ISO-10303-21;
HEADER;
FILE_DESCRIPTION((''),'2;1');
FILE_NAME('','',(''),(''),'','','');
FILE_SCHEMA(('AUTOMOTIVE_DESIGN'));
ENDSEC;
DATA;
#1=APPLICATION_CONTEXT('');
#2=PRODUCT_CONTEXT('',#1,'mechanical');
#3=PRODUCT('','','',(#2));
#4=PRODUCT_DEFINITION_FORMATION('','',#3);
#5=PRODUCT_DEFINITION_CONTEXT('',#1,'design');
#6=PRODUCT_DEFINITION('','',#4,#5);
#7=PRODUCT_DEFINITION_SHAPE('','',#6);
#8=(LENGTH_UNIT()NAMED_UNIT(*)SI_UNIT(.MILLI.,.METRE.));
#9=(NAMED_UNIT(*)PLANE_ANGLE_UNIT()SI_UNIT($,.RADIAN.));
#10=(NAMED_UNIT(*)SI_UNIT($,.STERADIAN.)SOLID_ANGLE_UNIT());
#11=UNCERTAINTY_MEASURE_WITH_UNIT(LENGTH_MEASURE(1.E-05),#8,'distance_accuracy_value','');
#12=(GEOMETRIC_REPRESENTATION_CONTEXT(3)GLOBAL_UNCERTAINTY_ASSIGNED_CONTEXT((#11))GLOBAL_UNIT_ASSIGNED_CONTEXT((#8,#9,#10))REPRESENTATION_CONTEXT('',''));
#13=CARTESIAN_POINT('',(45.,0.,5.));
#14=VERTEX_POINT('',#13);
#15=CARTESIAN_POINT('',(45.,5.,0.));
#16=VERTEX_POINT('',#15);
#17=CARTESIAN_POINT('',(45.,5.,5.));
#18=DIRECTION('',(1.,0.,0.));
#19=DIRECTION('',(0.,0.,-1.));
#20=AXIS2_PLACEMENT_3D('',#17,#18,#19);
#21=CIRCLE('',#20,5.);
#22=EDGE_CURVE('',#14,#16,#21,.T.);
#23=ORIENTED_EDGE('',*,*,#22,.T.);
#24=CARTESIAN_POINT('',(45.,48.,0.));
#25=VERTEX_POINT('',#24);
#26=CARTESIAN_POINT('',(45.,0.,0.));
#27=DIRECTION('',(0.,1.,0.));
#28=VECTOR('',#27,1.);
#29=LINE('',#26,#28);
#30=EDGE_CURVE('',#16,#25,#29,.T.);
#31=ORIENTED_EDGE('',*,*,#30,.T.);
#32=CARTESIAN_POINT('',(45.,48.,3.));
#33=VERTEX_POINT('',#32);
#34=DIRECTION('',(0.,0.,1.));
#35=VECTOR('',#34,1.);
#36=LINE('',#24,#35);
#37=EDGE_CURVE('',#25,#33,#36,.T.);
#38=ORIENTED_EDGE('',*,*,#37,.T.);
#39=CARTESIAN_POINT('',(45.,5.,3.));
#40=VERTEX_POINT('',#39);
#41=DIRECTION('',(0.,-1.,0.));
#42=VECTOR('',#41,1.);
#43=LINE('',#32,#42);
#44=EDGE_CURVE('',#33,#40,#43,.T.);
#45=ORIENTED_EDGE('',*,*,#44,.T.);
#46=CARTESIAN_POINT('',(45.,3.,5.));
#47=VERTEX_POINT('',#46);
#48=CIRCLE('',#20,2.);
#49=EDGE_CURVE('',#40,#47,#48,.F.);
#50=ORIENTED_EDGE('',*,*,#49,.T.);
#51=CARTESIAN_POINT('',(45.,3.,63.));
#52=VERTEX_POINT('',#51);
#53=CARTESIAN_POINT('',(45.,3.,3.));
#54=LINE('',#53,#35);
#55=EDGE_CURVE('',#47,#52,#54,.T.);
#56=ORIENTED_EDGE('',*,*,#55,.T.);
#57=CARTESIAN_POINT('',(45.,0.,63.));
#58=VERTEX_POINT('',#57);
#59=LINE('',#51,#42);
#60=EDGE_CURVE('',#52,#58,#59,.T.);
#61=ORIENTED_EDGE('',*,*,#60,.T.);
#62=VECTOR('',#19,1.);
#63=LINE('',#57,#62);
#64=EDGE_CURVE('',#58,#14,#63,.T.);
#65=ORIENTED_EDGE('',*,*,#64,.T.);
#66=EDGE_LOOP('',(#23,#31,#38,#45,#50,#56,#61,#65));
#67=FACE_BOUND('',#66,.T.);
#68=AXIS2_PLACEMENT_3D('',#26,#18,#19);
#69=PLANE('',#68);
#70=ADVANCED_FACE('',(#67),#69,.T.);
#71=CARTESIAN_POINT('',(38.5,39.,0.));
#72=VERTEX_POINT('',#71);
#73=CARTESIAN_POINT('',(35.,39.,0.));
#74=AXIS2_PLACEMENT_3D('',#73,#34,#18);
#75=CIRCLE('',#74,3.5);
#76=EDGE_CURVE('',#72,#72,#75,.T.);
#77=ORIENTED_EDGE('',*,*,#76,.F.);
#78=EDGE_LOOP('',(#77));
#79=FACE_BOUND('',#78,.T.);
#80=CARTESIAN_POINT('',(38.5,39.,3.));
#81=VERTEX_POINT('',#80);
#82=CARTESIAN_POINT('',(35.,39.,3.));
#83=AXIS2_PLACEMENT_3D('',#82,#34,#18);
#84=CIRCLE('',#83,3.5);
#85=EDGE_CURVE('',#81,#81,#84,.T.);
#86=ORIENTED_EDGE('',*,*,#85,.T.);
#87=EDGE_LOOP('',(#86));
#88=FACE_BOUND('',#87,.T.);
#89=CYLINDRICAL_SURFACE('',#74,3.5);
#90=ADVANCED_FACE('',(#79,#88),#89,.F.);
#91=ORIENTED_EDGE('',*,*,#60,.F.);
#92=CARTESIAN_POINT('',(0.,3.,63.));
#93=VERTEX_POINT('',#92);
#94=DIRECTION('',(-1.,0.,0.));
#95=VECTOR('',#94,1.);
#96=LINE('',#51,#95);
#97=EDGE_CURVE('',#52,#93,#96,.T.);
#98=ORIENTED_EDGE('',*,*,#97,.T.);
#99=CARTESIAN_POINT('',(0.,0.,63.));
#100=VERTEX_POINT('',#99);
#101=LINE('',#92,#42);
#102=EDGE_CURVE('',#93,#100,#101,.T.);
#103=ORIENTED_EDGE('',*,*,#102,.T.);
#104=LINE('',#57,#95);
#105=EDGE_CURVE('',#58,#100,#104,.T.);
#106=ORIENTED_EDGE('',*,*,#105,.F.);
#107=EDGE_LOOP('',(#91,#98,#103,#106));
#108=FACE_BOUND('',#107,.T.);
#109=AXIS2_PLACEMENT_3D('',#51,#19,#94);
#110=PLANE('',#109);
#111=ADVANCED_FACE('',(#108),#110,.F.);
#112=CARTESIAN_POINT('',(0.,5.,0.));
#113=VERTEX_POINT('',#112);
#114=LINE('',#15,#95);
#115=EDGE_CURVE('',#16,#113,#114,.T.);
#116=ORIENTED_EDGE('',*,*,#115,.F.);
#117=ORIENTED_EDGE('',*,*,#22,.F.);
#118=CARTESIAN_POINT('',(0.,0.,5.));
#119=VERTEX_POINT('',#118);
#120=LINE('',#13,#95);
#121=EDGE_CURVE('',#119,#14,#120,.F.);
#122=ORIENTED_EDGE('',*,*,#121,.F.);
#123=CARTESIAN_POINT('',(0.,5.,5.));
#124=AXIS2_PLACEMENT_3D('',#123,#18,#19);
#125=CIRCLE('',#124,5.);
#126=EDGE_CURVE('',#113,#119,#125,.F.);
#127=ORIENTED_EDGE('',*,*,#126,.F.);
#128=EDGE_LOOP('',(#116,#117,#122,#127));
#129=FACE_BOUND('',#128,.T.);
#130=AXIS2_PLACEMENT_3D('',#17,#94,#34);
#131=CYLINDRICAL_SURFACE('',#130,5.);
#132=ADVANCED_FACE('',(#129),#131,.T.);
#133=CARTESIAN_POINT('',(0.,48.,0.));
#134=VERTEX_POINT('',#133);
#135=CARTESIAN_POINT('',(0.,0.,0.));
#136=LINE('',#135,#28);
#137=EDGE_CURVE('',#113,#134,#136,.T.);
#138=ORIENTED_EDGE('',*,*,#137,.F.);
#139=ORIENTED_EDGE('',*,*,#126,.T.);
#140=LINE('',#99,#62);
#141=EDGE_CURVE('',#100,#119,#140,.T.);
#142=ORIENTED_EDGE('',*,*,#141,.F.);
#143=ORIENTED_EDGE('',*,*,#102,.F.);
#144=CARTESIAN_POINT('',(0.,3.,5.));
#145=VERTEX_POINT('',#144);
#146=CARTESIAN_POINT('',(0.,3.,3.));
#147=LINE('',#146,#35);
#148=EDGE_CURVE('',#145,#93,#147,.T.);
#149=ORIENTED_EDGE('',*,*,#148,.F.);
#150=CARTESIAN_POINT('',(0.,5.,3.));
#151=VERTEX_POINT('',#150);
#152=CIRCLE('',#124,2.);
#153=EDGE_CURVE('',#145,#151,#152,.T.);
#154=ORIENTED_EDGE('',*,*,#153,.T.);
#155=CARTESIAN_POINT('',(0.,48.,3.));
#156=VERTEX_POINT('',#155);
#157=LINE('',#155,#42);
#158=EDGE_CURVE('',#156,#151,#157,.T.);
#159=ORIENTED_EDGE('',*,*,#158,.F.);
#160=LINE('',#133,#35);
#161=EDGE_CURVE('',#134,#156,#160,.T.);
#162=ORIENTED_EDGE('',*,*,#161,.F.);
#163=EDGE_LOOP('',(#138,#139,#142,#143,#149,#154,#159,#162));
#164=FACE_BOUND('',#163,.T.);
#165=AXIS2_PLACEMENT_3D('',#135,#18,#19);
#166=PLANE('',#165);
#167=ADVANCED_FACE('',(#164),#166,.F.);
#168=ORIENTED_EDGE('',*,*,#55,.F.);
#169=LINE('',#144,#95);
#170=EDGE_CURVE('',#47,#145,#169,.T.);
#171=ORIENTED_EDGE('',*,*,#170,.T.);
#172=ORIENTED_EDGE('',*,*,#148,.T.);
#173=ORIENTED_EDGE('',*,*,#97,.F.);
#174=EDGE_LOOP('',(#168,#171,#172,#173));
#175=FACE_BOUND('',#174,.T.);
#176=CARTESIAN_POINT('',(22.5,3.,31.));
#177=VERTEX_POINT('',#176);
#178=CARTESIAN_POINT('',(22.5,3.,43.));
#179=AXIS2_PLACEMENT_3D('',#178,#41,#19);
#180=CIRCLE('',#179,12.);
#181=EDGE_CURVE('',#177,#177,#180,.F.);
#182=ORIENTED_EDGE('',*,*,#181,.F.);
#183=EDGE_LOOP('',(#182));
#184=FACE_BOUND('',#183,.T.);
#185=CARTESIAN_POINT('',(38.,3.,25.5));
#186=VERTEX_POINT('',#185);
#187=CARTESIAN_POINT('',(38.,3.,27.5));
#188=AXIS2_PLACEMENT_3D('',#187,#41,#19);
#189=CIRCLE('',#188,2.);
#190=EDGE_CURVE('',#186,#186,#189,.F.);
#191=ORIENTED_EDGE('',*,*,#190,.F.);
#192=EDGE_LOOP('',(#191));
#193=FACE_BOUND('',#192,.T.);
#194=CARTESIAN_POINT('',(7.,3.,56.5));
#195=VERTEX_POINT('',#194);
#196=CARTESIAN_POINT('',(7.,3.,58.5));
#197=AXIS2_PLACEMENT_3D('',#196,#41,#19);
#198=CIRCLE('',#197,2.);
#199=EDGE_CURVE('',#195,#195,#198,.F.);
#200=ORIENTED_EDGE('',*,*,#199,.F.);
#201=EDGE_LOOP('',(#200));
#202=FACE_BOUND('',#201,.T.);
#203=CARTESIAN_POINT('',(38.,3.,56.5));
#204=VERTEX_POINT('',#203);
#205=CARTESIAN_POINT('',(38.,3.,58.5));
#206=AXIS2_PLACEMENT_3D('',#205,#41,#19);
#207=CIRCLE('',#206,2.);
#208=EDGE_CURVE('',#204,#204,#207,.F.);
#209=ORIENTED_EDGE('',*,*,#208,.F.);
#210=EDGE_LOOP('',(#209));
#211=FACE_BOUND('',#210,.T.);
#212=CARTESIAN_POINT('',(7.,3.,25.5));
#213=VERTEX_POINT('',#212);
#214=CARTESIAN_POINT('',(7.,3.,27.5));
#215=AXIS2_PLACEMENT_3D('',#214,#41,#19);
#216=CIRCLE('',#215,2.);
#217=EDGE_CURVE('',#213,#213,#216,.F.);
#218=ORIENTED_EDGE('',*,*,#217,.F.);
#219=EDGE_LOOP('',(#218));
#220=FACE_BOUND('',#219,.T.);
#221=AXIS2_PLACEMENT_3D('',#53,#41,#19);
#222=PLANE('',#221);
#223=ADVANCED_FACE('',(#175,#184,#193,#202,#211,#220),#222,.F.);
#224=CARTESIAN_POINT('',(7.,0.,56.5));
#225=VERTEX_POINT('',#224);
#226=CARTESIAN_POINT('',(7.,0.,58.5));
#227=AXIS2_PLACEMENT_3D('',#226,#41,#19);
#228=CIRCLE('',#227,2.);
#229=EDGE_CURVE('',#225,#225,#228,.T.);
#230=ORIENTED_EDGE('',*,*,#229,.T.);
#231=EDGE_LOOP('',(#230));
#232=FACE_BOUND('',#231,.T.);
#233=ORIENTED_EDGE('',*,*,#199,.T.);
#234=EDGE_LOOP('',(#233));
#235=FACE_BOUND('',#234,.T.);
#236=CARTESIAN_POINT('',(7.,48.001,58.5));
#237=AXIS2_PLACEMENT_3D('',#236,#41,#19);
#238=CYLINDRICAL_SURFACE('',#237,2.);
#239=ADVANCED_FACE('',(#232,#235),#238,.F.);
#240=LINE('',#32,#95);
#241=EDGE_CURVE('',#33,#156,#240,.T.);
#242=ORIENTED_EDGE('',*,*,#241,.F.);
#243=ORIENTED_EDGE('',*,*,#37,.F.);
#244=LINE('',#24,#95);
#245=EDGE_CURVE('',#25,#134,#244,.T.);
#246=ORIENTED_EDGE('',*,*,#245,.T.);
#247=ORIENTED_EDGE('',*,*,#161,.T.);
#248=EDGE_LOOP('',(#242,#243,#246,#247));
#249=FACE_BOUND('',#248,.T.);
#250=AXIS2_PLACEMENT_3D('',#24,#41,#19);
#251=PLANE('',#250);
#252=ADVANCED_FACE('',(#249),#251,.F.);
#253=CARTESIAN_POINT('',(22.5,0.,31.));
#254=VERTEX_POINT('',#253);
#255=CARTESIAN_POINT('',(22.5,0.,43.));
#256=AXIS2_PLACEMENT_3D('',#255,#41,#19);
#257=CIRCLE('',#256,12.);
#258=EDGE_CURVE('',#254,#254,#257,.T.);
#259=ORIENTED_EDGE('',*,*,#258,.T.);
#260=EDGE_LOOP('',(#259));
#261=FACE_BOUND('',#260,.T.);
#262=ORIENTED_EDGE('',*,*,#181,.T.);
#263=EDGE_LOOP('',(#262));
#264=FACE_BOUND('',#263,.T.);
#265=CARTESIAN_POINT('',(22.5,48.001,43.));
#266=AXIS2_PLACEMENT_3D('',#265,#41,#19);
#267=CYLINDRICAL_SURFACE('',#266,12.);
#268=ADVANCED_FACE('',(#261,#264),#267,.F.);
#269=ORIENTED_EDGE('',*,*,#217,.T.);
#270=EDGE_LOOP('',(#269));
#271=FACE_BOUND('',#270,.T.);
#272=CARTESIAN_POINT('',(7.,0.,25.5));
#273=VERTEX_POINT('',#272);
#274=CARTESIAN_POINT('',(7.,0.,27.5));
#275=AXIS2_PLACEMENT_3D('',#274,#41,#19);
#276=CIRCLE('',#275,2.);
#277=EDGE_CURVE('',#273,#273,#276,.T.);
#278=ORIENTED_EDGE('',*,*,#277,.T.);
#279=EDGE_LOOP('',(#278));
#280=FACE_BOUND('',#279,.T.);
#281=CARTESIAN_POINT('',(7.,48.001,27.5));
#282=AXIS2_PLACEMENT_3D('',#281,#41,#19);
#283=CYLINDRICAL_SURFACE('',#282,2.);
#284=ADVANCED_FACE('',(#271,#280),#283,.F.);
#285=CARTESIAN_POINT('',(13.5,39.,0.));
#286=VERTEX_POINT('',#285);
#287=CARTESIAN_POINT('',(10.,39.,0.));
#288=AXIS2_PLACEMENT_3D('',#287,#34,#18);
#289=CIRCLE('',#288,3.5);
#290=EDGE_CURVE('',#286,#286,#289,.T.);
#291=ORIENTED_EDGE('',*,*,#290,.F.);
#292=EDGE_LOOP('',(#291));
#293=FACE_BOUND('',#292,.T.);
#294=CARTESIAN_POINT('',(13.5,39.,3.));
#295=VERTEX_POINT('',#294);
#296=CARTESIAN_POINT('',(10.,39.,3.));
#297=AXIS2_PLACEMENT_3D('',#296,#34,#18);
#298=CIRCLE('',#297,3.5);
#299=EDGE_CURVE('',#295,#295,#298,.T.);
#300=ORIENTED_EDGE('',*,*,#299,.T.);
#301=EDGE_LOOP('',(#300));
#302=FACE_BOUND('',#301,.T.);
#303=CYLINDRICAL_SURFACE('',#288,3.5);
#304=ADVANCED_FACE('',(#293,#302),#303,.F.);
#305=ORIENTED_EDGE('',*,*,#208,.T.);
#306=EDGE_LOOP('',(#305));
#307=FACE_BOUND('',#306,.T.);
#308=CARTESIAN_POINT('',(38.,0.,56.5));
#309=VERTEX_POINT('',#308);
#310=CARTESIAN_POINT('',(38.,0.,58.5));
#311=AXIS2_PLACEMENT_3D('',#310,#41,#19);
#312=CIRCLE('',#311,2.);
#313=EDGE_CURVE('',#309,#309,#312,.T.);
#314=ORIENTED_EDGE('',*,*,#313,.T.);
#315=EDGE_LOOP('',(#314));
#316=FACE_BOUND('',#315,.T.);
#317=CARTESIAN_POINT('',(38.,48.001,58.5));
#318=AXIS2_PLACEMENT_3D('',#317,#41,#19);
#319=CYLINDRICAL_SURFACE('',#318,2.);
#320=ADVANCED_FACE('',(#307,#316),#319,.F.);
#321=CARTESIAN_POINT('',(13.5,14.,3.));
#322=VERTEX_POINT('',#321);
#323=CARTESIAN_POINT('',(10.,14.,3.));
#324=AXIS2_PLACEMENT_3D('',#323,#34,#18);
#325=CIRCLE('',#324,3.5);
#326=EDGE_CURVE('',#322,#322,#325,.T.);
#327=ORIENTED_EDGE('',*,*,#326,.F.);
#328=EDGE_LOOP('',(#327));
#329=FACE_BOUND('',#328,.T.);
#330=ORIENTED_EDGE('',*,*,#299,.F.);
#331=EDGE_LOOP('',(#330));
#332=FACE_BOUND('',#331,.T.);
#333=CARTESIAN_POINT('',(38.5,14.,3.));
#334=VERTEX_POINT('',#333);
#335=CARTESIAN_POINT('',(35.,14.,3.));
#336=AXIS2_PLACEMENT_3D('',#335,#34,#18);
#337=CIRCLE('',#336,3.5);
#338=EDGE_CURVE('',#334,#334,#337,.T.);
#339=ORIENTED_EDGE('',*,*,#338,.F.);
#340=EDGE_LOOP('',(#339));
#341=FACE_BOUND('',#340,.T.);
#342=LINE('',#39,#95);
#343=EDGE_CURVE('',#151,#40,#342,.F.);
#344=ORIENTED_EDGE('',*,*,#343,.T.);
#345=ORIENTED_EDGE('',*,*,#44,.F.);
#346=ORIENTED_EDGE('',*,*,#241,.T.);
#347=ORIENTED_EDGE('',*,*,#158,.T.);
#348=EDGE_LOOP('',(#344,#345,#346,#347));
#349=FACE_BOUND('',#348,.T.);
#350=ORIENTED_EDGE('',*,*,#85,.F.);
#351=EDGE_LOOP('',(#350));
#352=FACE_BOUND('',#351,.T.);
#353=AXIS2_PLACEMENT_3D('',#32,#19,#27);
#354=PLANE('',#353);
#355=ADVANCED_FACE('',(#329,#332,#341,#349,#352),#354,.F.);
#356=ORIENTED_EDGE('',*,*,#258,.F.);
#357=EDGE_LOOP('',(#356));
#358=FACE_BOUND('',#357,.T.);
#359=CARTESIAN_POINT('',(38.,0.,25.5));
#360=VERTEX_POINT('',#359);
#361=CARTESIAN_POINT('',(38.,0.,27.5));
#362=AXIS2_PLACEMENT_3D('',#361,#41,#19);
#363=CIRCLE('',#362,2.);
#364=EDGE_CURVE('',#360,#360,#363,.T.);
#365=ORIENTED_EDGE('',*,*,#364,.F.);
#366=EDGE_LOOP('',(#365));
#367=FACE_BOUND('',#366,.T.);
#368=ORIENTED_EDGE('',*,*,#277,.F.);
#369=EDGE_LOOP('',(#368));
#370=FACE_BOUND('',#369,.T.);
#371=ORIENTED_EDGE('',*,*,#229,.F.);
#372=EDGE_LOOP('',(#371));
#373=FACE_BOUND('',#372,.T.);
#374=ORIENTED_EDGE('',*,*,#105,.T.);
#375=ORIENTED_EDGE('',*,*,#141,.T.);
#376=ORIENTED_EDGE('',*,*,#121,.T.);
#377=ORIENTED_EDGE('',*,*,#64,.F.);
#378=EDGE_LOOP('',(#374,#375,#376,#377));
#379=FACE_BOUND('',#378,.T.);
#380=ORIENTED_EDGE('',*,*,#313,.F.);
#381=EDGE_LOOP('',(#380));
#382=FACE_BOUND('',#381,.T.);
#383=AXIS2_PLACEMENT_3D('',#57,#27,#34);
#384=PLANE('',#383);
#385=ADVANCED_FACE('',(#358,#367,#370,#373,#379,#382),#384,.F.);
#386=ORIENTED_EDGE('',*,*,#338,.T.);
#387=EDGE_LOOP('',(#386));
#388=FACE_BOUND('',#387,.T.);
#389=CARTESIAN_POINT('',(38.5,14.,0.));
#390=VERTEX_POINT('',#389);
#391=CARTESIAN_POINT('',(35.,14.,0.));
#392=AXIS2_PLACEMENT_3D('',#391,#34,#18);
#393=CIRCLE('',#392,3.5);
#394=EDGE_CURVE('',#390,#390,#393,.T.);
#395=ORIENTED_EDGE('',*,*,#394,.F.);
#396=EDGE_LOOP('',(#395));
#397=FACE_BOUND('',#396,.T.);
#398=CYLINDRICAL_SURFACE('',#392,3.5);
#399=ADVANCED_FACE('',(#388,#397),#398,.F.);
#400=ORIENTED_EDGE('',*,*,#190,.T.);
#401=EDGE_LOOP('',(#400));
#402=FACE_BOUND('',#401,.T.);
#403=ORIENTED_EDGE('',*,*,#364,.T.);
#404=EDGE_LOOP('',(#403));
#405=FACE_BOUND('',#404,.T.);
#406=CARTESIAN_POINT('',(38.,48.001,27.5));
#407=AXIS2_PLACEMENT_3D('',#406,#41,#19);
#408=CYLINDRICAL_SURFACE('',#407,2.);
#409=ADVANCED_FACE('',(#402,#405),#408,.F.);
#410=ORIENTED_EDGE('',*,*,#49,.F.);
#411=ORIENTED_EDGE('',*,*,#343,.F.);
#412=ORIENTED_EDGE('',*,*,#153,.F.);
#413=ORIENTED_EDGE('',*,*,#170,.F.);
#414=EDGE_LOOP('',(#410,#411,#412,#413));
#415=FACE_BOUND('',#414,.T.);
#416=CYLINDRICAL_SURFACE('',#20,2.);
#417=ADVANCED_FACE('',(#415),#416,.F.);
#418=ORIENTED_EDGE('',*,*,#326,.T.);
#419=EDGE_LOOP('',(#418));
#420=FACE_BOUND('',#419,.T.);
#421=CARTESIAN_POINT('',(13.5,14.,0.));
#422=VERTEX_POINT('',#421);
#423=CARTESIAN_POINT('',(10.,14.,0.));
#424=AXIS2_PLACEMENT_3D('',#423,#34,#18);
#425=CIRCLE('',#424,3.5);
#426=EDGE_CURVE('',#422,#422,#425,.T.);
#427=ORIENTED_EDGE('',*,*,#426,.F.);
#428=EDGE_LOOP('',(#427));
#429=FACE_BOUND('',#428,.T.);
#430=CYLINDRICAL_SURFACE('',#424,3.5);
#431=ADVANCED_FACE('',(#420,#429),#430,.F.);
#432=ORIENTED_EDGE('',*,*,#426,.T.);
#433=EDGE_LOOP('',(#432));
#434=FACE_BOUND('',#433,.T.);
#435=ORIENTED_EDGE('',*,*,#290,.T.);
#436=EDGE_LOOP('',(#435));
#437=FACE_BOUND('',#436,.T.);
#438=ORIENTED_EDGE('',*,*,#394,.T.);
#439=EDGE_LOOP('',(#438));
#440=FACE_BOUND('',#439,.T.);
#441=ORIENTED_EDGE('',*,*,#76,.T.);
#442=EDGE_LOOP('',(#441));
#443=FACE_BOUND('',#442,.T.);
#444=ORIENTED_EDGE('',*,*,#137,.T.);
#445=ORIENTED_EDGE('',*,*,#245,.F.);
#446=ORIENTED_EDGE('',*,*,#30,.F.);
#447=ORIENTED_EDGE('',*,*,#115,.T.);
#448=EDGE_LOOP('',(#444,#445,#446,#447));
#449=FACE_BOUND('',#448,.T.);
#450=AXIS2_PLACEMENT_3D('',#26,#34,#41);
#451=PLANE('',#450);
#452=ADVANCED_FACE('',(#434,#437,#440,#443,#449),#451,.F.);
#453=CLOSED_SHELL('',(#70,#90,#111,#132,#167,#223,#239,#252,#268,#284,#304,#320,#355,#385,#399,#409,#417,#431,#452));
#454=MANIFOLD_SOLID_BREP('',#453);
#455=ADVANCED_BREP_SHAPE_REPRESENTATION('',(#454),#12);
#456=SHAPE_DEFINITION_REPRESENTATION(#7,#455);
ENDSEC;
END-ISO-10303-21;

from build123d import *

# Parameters (mm, degrees)
BOSS_EXTRUDE1_DEPTH = 45
FILLET1_R           = 2
FILLET2_R           = 5
CUT_EXTRUDE1_REACH  = 93.093
SKETCH2_R           = 2
SKETCH2_R_2         = 12
SKETCH3_R           = 3.5
CUT_EXTRUDE2_DEPTH  = 90.044932478


with BuildPart() as part:
    # Sketch1 → Boss-Extrude1 (new body)
    with BuildSketch(Plane(origin=(0, 0, 0), x_dir=(0, 0, -1), z_dir=(1, 0, 0))):
        Polygon((0, 0), (0, 48), (-3, 48), (-3, 3), (-63, 3), (-63, 0), align=None)
    extrude(amount=BOSS_EXTRUDE1_DEPTH)

    # Fillet1
    fillet1_edges = [part.edges().sort_by_distance(p)[0] for p in [
        (22.5, 3, 3),
    ]]
    fillet(fillet1_edges, radius=FILLET1_R)

    # Fillet2
    fillet2_edges = [part.edges().sort_by_distance(p)[0] for p in [
        (22.5, 0, 0),
    ]]
    fillet(fillet2_edges, radius=FILLET2_R)

    # Sketch2 → Cut-Extrude1 (cut, up to next)
    with BuildSketch(Plane.XZ, mode=Mode.PRIVATE) as cut_extrude1_sk1:
        with Locations(Location((38, 58.5, 0), (0, 0, 270))):
            Circle(SKETCH2_R)
    cut_extrude1_tool1 = extrude(cut_extrude1_sk1.sketch, amount=-CUT_EXTRUDE1_REACH, mode=Mode.PRIVATE) & part.part
    # Sketch2 → Cut-Extrude1 (cut, up to next)
    with BuildSketch(Plane.XZ, mode=Mode.PRIVATE) as cut_extrude1_sk2:
        with Locations(Location((38, 27.5, 0), (0, 0, 270))):
            Circle(SKETCH2_R)
    cut_extrude1_tool2 = extrude(cut_extrude1_sk2.sketch, amount=-CUT_EXTRUDE1_REACH, mode=Mode.PRIVATE) & part.part
    # Sketch2 → Cut-Extrude1 (cut, up to next)
    with BuildSketch(Plane.XZ, mode=Mode.PRIVATE) as cut_extrude1_sk3:
        with Locations(Location((7, 58.5, 0), (0, 0, 270))):
            Circle(SKETCH2_R)
    cut_extrude1_tool3 = extrude(cut_extrude1_sk3.sketch, amount=-CUT_EXTRUDE1_REACH, mode=Mode.PRIVATE) & part.part
    # Sketch2 → Cut-Extrude1 (cut, up to next)
    with BuildSketch(Plane.XZ, mode=Mode.PRIVATE) as cut_extrude1_sk4:
        with Locations(Location((7, 27.5, 0), (0, 0, 270))):
            Circle(SKETCH2_R)
    cut_extrude1_tool4 = extrude(cut_extrude1_sk4.sketch, amount=-CUT_EXTRUDE1_REACH, mode=Mode.PRIVATE) & part.part
    # Sketch2 → Cut-Extrude1 (cut, up to next)
    with BuildSketch(Plane.XZ, mode=Mode.PRIVATE) as cut_extrude1_sk5:
        with Locations(Location((22.5, 43, 0), (0, 0, 270))):
            Circle(SKETCH2_R_2)
    cut_extrude1_tool5 = extrude(cut_extrude1_sk5.sketch, amount=-CUT_EXTRUDE1_REACH, mode=Mode.PRIVATE) & part.part
    add(cut_extrude1_tool1.solids().sort_by_distance((38, 0, 58.5))[0], mode=Mode.SUBTRACT)
    add(cut_extrude1_tool2.solids().sort_by_distance((38, 0, 27.5))[0], mode=Mode.SUBTRACT)
    add(cut_extrude1_tool3.solids().sort_by_distance((7, 0, 58.5))[0], mode=Mode.SUBTRACT)
    add(cut_extrude1_tool4.solids().sort_by_distance((7, 0, 27.5))[0], mode=Mode.SUBTRACT)
    add(cut_extrude1_tool5.solids().sort_by_distance((22.5, 0, 43))[0], mode=Mode.SUBTRACT)

    # Sketch3 → Cut-Extrude2 (cut, through all)
    with BuildSketch(Plane.XY.offset(3)):
        with Locations((35, 39)):
            Circle(SKETCH3_R)
        with Locations((35, 14)):
            Circle(SKETCH3_R)
        with Locations((10, 39)):
            Circle(SKETCH3_R)
        with Locations((10, 14)):
            Circle(SKETCH3_R)
    extrude(amount=-CUT_EXTRUDE2_DEPTH, mode=Mode.SUBTRACT)


solid = part.part
